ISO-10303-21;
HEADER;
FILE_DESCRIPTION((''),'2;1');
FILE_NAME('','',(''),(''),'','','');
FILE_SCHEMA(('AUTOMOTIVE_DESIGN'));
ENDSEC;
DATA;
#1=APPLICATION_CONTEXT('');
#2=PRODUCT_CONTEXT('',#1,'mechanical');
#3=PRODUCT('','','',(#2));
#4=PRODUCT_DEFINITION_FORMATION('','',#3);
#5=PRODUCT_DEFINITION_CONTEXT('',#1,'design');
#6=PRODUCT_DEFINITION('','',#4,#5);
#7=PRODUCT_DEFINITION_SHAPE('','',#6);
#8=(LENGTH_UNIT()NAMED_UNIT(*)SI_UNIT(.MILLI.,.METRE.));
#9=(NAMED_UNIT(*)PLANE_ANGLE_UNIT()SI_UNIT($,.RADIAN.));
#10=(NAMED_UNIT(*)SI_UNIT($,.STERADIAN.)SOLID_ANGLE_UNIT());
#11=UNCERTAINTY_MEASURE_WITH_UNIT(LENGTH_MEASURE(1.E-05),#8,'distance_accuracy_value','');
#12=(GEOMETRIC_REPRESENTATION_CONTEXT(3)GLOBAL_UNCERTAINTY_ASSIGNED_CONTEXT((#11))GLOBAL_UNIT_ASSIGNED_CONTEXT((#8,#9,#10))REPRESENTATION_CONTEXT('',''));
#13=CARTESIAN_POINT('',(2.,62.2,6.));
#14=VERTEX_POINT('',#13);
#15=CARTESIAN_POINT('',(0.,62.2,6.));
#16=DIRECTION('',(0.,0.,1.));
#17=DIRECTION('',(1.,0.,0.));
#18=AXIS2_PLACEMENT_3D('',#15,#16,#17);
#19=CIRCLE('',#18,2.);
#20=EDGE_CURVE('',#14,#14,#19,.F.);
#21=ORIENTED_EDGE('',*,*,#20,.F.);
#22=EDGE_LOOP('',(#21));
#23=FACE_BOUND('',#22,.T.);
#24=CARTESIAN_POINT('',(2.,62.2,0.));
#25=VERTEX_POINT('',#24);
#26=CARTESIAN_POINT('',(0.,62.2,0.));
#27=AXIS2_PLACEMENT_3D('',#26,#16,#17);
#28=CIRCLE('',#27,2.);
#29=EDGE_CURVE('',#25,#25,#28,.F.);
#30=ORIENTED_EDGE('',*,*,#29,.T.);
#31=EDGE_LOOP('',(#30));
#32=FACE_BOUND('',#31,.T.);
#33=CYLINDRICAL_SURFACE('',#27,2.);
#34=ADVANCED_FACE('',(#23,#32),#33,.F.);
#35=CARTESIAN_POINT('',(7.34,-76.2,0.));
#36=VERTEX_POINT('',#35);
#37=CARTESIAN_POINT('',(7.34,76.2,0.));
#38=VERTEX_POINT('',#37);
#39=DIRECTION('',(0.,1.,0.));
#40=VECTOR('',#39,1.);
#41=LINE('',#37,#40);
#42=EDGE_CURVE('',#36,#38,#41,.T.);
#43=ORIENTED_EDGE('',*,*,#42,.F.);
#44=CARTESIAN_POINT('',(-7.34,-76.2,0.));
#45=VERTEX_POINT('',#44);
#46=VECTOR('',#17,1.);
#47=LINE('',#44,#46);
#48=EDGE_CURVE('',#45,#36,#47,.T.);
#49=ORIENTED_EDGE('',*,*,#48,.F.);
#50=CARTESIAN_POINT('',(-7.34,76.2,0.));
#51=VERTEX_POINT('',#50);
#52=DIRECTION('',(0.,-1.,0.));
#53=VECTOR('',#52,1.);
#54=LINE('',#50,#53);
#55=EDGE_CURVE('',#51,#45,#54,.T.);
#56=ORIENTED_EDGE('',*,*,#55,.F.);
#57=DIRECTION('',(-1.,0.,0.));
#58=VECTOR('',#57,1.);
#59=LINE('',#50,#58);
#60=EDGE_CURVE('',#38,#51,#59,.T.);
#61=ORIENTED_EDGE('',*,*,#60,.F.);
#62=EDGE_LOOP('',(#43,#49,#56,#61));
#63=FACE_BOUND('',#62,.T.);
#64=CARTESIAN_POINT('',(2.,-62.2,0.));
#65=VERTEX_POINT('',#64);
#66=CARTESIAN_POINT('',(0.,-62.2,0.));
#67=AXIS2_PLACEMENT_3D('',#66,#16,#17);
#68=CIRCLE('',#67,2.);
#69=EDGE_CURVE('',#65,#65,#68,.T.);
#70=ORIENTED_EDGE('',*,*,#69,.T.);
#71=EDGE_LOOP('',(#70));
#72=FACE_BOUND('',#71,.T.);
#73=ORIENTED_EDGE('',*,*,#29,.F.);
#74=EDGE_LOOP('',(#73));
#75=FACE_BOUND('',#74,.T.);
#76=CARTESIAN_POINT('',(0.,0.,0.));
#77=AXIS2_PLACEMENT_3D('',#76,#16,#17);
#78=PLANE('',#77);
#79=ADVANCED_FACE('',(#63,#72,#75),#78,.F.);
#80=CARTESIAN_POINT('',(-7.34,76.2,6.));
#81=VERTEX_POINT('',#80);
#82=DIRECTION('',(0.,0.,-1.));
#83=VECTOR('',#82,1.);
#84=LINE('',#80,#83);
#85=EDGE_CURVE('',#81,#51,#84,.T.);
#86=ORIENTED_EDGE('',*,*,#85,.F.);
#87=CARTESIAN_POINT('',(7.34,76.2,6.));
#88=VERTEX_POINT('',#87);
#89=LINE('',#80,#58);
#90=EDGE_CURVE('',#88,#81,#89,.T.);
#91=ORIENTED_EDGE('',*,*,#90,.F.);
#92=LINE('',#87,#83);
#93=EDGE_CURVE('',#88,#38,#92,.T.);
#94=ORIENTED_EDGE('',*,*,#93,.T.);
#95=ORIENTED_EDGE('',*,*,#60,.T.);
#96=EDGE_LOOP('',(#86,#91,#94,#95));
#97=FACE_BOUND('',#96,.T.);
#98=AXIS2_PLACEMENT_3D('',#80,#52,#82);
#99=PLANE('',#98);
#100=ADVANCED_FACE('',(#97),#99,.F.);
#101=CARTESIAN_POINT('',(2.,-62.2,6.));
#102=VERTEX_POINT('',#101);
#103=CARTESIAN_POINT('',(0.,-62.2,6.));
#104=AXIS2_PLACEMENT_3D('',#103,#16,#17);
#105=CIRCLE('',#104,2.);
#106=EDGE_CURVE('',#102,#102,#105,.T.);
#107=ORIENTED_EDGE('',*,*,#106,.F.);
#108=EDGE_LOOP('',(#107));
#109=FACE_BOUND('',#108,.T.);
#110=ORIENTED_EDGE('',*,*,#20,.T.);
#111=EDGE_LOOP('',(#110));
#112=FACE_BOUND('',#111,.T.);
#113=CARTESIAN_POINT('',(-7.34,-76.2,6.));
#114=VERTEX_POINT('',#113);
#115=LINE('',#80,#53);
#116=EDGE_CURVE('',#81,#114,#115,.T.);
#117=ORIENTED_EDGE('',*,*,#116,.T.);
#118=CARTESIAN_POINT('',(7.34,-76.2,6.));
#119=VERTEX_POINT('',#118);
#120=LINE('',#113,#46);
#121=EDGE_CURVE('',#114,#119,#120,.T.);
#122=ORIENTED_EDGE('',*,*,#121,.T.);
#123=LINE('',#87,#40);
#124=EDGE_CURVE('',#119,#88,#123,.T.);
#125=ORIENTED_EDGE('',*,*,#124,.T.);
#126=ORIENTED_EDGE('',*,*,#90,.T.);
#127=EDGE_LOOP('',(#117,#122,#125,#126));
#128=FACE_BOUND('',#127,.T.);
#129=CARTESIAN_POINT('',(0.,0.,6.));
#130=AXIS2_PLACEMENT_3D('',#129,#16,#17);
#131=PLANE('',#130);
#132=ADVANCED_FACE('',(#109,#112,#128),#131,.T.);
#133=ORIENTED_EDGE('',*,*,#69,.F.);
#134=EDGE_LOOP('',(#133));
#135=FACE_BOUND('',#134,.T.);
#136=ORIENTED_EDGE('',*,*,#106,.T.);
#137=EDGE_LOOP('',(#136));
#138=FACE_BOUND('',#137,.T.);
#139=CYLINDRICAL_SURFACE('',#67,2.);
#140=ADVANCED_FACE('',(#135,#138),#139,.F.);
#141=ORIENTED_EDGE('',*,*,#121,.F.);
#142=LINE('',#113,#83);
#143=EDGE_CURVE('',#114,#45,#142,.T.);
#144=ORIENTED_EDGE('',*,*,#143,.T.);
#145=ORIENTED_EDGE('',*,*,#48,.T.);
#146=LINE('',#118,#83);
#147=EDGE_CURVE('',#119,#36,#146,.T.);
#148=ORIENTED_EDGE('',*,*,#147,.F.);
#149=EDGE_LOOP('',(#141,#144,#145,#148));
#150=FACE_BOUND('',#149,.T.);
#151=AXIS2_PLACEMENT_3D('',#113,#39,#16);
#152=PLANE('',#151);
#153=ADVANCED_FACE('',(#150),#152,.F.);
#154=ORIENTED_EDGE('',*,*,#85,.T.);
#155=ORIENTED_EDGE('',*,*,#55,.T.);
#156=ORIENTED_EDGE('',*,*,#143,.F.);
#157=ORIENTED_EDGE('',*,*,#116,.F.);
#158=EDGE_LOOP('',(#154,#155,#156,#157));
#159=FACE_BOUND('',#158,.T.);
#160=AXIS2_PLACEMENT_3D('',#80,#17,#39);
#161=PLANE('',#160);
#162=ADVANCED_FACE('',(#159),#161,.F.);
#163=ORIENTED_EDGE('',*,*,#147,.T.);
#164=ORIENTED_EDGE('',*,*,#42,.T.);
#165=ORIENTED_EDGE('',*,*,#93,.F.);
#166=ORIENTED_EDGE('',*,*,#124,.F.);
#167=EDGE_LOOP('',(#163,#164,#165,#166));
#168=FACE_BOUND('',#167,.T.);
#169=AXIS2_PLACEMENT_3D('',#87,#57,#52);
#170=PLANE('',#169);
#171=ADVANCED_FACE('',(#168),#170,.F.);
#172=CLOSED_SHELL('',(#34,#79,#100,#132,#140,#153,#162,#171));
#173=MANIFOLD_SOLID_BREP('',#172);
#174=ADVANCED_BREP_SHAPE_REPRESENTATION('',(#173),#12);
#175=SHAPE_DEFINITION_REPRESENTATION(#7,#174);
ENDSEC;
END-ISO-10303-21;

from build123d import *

# Parameters (mm, degrees)
SKETCH1_W           = 14.68
SKETCH1_H           = 152.4
BOSS_EXTRUDE1_DEPTH = 6
SKETCH2_R           = 2
CUT_EXTRUDE1_DEPTH  = 6


with BuildPart() as part:
    # Sketch1 → Boss-Extrude1 (new body)
    with BuildSketch(Plane.XY):
        Rectangle(SKETCH1_W, SKETCH1_H)
    extrude(amount=BOSS_EXTRUDE1_DEPTH)

    # Sketch2 → Cut-Extrude1 (cut)
    with BuildSketch(Plane.XY.offset(6)):
        with Locations((0, -62.2)):
            Circle(SKETCH2_R)
        with Locations((0, 62.2)):
            Circle(SKETCH2_R)
    extrude(amount=-CUT_EXTRUDE1_DEPTH, mode=Mode.SUBTRACT)


solid = part.part
